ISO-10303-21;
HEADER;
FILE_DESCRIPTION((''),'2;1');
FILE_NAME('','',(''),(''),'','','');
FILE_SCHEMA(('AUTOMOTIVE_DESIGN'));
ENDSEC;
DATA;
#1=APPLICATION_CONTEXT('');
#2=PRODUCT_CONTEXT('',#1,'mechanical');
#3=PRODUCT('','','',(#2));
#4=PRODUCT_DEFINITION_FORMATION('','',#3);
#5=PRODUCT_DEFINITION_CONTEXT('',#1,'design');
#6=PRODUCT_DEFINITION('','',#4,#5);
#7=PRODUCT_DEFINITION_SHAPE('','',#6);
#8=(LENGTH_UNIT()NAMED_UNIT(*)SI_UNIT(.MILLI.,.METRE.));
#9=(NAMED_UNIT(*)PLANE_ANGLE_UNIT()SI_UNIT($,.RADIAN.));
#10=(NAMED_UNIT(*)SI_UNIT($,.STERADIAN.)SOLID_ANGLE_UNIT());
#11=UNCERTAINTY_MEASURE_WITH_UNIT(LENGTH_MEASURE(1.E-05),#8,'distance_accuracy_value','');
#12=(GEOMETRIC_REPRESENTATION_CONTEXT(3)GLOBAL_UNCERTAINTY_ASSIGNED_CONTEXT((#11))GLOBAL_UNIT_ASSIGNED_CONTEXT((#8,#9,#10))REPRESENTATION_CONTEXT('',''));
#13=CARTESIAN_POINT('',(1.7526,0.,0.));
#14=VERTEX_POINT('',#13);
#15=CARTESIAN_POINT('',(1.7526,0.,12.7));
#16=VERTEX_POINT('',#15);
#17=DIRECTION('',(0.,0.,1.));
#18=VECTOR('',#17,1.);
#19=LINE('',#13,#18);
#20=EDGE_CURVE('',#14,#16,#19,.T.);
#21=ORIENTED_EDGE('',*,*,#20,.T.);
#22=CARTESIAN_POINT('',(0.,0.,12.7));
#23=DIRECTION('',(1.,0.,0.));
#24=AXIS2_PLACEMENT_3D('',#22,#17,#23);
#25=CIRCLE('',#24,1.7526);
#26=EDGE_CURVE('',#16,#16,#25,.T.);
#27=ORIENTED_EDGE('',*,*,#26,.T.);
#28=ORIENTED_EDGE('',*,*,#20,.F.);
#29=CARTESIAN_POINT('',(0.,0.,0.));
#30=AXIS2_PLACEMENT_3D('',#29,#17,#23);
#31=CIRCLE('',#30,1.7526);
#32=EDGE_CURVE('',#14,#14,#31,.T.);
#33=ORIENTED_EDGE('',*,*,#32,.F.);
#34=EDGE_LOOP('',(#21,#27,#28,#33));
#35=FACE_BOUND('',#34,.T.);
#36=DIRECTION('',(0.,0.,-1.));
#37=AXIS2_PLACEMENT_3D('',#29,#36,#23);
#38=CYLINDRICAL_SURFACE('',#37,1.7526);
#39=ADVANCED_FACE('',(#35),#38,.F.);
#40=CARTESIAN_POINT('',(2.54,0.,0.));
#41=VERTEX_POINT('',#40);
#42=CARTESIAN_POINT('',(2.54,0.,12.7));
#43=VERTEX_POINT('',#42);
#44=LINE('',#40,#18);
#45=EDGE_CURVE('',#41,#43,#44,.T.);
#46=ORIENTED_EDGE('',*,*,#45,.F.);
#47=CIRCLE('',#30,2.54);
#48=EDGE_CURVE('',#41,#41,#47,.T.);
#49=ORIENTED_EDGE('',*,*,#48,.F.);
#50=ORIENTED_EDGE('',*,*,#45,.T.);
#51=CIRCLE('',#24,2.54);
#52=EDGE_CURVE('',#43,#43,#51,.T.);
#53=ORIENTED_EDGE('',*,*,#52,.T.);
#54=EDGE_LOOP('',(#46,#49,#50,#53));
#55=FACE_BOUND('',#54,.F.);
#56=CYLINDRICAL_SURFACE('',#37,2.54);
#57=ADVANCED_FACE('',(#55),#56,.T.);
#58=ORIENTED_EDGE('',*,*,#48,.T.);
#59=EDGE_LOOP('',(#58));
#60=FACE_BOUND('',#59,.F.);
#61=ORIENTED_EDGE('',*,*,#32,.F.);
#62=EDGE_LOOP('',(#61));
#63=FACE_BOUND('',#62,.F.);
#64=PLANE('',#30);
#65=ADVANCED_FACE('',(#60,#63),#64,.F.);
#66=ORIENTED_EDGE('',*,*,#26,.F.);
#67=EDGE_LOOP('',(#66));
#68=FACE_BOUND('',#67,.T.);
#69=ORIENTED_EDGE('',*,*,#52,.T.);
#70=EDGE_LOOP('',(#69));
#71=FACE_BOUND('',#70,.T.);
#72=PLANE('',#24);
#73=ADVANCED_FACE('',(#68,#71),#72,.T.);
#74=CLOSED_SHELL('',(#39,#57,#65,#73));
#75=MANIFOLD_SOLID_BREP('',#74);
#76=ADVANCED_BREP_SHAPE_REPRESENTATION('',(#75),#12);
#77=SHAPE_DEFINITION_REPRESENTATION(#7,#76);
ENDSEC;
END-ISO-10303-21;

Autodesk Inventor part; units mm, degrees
ref_plane "YZ Plane" through (0, 0, 0) normal (1, 0, 0) x (0, 1, 0)
ref_plane "XZ Plane" through (0, 0, 0) normal (0, 1, 0) x (-1, 0, 0)
ref_plane "XY Plane" through (0, 0, 0) normal (0, 0, 1) x (1, 0, 0)
sketch "Sketch1" plane through (0, 0, 0) normal (0, 0, 1) x (1, 0, 0)
  circle A0 centre (0, 0) radius 1.7526
  circle A1 centre (0, 0) radius 2.54
  dimension "d0" = 3.5052
  dimension "d1" = 5.08
extrude "Extrusion1" add sketch "Sketch1" along normal blind 12.7
properties part number "0.5_inch_motor_holder_standoff"
